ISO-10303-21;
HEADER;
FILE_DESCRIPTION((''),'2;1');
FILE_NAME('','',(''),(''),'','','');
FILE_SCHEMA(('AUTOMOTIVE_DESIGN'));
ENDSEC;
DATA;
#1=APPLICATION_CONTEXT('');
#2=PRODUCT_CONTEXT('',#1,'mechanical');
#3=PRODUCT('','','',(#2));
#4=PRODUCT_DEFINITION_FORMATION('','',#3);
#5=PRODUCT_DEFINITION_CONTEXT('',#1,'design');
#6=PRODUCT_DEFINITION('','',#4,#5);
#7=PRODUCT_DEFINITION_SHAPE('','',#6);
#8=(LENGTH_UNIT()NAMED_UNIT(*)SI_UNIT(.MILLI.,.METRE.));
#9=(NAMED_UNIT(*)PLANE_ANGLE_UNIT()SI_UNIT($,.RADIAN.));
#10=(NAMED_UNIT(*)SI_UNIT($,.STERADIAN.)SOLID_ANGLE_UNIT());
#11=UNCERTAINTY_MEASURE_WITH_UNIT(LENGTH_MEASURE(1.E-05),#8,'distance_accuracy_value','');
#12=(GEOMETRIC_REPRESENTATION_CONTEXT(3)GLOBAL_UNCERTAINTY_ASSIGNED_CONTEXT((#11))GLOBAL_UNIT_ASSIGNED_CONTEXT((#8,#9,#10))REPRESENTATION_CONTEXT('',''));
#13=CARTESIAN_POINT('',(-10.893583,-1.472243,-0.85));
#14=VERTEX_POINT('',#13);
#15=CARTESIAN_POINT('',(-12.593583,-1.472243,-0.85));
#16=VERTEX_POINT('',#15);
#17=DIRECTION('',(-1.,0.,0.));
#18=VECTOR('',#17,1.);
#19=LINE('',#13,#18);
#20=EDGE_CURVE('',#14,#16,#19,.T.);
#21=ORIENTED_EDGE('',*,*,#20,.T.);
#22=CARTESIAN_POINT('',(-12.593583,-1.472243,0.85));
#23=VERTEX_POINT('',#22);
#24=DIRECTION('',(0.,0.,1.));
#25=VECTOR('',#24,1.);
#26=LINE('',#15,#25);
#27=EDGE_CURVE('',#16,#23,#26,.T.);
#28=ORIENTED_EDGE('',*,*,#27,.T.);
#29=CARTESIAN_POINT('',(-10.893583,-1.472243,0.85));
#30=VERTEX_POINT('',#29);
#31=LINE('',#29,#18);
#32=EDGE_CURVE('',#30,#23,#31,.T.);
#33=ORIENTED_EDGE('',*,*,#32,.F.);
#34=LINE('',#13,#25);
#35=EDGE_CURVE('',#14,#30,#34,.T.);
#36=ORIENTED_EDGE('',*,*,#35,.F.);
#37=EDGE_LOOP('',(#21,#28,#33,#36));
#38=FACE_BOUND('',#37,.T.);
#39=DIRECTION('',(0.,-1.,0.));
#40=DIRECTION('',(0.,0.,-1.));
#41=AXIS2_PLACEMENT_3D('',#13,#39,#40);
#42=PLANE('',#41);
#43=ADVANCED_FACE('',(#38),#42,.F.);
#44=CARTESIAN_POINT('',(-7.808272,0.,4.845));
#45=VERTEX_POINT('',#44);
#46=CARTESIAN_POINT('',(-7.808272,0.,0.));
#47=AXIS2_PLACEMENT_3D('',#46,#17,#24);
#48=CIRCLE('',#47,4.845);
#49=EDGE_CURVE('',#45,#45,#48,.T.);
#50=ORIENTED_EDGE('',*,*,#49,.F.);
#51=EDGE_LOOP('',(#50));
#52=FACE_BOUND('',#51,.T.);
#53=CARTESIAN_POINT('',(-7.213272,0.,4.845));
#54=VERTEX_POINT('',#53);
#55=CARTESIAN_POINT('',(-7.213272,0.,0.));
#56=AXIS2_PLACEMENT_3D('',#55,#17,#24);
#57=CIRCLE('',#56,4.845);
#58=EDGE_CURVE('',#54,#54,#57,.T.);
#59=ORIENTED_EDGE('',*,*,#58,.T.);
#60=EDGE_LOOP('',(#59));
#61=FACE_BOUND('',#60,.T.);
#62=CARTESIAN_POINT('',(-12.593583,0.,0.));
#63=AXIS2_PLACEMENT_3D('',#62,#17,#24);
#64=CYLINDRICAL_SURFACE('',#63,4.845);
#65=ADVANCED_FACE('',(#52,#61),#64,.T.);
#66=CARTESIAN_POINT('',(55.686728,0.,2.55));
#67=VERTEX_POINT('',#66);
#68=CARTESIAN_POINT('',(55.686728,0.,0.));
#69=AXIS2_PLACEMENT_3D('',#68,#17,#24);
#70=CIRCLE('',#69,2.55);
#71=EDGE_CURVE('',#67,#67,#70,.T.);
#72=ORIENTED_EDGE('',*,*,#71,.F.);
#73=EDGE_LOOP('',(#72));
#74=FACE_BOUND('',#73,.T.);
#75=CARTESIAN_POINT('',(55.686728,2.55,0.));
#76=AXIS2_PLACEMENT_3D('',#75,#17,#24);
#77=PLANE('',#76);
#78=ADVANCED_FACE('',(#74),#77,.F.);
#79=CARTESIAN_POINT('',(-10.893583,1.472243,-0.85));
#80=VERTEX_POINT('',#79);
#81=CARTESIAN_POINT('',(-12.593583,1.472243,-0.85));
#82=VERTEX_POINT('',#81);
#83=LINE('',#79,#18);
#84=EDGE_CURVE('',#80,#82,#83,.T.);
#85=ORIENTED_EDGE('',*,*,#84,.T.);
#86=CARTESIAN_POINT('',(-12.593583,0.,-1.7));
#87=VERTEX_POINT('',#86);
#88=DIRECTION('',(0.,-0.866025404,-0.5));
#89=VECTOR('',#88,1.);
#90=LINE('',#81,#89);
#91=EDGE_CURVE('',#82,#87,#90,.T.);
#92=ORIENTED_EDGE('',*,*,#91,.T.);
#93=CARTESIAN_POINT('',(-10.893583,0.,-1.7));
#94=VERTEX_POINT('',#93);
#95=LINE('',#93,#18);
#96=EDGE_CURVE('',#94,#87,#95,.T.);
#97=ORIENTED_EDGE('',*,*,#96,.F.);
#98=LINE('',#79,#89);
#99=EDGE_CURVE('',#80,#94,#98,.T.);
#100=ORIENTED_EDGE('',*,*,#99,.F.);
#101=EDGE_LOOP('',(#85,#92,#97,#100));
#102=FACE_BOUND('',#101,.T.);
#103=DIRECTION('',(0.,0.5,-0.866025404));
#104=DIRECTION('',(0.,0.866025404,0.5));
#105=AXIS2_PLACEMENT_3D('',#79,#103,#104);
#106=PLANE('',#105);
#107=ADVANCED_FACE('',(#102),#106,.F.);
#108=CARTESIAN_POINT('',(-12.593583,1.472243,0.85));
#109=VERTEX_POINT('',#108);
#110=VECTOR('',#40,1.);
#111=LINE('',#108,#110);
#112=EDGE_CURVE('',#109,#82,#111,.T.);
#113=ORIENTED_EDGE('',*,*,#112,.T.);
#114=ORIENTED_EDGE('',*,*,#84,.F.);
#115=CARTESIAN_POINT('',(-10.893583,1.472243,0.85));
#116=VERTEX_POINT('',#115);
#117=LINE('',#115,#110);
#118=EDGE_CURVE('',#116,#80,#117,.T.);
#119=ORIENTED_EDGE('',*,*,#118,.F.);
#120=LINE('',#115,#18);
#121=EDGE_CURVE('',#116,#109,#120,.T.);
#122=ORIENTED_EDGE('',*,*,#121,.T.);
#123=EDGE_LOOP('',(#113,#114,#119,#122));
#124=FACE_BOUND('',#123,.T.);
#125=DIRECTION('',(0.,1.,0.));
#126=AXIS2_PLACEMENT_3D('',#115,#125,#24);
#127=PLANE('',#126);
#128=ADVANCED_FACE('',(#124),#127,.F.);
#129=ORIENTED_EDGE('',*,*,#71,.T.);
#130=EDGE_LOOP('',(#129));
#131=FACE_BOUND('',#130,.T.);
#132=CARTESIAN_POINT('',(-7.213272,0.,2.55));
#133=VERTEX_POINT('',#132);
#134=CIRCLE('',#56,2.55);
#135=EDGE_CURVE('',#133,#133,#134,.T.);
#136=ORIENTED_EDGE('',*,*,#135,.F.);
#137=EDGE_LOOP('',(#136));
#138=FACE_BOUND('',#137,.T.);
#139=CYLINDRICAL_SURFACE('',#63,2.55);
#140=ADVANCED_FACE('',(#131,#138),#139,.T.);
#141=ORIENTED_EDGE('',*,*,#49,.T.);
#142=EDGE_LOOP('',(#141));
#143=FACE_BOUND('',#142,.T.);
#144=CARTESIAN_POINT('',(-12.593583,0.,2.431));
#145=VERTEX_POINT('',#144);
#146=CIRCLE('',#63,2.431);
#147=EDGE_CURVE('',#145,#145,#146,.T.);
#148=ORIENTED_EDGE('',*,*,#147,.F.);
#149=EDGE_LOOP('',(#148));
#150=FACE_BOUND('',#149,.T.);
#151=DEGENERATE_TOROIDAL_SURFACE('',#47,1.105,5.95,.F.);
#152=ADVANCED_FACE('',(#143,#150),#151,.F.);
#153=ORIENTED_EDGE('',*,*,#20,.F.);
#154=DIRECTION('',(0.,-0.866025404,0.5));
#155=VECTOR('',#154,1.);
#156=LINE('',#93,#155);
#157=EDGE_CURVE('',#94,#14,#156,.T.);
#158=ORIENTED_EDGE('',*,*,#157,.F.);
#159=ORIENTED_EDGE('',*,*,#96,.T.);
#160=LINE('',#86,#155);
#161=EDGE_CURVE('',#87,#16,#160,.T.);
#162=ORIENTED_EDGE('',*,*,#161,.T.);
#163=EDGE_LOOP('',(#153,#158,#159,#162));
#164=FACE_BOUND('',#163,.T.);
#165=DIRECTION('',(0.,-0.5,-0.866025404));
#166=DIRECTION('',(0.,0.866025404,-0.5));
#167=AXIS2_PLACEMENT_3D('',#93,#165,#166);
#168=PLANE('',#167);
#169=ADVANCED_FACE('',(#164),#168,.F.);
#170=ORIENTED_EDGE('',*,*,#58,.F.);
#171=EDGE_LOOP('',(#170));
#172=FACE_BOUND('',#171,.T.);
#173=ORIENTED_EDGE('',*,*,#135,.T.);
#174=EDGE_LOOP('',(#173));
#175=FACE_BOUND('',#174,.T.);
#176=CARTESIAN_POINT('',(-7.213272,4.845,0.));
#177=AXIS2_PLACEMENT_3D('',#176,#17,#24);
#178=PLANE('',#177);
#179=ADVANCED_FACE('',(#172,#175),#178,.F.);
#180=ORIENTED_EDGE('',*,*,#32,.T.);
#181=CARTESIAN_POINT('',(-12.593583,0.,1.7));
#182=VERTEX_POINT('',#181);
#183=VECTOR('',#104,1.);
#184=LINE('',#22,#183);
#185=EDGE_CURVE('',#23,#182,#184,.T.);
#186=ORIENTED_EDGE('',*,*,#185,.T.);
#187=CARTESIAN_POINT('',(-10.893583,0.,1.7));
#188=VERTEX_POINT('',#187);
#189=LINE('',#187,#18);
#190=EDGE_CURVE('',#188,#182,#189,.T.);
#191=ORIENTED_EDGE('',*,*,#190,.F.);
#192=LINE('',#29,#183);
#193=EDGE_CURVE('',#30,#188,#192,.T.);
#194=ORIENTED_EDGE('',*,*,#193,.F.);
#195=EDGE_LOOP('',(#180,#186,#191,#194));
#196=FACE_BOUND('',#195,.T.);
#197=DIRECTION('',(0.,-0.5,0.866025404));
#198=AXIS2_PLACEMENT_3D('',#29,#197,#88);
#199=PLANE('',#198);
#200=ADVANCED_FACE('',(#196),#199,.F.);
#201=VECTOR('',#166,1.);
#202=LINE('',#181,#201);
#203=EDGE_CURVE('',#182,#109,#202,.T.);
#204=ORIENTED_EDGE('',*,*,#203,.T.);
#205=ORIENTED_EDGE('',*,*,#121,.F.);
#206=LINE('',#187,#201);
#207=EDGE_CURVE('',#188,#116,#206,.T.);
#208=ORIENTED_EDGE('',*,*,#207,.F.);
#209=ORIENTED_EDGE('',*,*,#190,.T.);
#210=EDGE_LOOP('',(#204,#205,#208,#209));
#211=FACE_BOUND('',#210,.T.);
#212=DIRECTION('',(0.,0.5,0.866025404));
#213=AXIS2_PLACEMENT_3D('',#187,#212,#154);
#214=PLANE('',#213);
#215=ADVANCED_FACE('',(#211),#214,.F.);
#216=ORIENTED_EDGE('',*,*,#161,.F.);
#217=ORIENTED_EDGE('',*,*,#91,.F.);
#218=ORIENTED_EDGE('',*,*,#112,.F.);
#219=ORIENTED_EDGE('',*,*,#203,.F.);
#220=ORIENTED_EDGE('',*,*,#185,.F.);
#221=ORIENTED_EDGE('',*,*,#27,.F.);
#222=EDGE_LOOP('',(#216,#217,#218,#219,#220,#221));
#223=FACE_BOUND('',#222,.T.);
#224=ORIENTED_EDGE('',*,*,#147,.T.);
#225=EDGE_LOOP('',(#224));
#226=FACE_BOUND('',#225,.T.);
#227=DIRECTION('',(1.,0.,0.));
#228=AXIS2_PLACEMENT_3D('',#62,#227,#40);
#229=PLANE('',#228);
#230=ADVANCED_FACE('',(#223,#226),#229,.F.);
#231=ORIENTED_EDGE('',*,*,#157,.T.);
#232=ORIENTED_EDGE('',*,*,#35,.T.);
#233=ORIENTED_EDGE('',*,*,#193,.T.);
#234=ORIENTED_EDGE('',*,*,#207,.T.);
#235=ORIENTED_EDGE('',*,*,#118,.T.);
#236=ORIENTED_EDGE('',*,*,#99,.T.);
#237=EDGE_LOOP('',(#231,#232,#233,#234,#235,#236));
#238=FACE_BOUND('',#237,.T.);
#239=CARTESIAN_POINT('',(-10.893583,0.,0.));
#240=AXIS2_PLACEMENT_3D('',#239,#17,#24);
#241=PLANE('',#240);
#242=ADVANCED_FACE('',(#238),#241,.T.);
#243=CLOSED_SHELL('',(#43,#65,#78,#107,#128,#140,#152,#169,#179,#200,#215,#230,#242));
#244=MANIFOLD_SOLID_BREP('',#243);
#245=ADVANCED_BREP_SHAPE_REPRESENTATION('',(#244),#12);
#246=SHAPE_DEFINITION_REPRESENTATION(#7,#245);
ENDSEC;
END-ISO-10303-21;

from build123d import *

# Parameters (mm, degrees)
CUT_EXTRUDE1_DEPTH = 1
SCALE1_SCALE       = 1.7


with BuildPart() as part:
    # Sketch1 → Revolve1 (revolve)
    with BuildSketch(Plane.XY):
        with BuildLine():
            Line((0, 0), (0, 1.43))
            ThreePointArc((0, 1.43), (1.238500708, 2.474899998), (2.814888985, 2.85))
            Line((2.814888985, 2.85), (3.164888985, 2.85))
            Line((3.164888985, 2.85), (3.164888985, 1.5))
            Line((3.164888985, 1.5), (40.164888985, 1.5))
            Line((40.164888985, 1.5), (40.164888985, 0))
            Line((40.164888985, 0), (0, 0))
        make_face()
    revolve(axis=Axis((0, 0, 0), (1, 0, 0)))

    # Sketch2 → Cut-Extrude1 (cut)
    with BuildSketch(Plane.ZY):
        Polygon((1, 0), (0.5, 0.866025404), (-0.5, 0.866025404), (-1, 0), (-0.5, -0.866025404), (0.5, -0.866025404), align=None)
    extrude(amount=-CUT_EXTRUDE1_DEPTH, mode=Mode.SUBTRACT)


with BuildPart() as part_1:
    # Scale1: scaled about (17.990832775, 0, 0)
    add(part.part.scale(SCALE1_SCALE).moved(Location((-12.593582942, 0, 0))))


solid = part_1.part
